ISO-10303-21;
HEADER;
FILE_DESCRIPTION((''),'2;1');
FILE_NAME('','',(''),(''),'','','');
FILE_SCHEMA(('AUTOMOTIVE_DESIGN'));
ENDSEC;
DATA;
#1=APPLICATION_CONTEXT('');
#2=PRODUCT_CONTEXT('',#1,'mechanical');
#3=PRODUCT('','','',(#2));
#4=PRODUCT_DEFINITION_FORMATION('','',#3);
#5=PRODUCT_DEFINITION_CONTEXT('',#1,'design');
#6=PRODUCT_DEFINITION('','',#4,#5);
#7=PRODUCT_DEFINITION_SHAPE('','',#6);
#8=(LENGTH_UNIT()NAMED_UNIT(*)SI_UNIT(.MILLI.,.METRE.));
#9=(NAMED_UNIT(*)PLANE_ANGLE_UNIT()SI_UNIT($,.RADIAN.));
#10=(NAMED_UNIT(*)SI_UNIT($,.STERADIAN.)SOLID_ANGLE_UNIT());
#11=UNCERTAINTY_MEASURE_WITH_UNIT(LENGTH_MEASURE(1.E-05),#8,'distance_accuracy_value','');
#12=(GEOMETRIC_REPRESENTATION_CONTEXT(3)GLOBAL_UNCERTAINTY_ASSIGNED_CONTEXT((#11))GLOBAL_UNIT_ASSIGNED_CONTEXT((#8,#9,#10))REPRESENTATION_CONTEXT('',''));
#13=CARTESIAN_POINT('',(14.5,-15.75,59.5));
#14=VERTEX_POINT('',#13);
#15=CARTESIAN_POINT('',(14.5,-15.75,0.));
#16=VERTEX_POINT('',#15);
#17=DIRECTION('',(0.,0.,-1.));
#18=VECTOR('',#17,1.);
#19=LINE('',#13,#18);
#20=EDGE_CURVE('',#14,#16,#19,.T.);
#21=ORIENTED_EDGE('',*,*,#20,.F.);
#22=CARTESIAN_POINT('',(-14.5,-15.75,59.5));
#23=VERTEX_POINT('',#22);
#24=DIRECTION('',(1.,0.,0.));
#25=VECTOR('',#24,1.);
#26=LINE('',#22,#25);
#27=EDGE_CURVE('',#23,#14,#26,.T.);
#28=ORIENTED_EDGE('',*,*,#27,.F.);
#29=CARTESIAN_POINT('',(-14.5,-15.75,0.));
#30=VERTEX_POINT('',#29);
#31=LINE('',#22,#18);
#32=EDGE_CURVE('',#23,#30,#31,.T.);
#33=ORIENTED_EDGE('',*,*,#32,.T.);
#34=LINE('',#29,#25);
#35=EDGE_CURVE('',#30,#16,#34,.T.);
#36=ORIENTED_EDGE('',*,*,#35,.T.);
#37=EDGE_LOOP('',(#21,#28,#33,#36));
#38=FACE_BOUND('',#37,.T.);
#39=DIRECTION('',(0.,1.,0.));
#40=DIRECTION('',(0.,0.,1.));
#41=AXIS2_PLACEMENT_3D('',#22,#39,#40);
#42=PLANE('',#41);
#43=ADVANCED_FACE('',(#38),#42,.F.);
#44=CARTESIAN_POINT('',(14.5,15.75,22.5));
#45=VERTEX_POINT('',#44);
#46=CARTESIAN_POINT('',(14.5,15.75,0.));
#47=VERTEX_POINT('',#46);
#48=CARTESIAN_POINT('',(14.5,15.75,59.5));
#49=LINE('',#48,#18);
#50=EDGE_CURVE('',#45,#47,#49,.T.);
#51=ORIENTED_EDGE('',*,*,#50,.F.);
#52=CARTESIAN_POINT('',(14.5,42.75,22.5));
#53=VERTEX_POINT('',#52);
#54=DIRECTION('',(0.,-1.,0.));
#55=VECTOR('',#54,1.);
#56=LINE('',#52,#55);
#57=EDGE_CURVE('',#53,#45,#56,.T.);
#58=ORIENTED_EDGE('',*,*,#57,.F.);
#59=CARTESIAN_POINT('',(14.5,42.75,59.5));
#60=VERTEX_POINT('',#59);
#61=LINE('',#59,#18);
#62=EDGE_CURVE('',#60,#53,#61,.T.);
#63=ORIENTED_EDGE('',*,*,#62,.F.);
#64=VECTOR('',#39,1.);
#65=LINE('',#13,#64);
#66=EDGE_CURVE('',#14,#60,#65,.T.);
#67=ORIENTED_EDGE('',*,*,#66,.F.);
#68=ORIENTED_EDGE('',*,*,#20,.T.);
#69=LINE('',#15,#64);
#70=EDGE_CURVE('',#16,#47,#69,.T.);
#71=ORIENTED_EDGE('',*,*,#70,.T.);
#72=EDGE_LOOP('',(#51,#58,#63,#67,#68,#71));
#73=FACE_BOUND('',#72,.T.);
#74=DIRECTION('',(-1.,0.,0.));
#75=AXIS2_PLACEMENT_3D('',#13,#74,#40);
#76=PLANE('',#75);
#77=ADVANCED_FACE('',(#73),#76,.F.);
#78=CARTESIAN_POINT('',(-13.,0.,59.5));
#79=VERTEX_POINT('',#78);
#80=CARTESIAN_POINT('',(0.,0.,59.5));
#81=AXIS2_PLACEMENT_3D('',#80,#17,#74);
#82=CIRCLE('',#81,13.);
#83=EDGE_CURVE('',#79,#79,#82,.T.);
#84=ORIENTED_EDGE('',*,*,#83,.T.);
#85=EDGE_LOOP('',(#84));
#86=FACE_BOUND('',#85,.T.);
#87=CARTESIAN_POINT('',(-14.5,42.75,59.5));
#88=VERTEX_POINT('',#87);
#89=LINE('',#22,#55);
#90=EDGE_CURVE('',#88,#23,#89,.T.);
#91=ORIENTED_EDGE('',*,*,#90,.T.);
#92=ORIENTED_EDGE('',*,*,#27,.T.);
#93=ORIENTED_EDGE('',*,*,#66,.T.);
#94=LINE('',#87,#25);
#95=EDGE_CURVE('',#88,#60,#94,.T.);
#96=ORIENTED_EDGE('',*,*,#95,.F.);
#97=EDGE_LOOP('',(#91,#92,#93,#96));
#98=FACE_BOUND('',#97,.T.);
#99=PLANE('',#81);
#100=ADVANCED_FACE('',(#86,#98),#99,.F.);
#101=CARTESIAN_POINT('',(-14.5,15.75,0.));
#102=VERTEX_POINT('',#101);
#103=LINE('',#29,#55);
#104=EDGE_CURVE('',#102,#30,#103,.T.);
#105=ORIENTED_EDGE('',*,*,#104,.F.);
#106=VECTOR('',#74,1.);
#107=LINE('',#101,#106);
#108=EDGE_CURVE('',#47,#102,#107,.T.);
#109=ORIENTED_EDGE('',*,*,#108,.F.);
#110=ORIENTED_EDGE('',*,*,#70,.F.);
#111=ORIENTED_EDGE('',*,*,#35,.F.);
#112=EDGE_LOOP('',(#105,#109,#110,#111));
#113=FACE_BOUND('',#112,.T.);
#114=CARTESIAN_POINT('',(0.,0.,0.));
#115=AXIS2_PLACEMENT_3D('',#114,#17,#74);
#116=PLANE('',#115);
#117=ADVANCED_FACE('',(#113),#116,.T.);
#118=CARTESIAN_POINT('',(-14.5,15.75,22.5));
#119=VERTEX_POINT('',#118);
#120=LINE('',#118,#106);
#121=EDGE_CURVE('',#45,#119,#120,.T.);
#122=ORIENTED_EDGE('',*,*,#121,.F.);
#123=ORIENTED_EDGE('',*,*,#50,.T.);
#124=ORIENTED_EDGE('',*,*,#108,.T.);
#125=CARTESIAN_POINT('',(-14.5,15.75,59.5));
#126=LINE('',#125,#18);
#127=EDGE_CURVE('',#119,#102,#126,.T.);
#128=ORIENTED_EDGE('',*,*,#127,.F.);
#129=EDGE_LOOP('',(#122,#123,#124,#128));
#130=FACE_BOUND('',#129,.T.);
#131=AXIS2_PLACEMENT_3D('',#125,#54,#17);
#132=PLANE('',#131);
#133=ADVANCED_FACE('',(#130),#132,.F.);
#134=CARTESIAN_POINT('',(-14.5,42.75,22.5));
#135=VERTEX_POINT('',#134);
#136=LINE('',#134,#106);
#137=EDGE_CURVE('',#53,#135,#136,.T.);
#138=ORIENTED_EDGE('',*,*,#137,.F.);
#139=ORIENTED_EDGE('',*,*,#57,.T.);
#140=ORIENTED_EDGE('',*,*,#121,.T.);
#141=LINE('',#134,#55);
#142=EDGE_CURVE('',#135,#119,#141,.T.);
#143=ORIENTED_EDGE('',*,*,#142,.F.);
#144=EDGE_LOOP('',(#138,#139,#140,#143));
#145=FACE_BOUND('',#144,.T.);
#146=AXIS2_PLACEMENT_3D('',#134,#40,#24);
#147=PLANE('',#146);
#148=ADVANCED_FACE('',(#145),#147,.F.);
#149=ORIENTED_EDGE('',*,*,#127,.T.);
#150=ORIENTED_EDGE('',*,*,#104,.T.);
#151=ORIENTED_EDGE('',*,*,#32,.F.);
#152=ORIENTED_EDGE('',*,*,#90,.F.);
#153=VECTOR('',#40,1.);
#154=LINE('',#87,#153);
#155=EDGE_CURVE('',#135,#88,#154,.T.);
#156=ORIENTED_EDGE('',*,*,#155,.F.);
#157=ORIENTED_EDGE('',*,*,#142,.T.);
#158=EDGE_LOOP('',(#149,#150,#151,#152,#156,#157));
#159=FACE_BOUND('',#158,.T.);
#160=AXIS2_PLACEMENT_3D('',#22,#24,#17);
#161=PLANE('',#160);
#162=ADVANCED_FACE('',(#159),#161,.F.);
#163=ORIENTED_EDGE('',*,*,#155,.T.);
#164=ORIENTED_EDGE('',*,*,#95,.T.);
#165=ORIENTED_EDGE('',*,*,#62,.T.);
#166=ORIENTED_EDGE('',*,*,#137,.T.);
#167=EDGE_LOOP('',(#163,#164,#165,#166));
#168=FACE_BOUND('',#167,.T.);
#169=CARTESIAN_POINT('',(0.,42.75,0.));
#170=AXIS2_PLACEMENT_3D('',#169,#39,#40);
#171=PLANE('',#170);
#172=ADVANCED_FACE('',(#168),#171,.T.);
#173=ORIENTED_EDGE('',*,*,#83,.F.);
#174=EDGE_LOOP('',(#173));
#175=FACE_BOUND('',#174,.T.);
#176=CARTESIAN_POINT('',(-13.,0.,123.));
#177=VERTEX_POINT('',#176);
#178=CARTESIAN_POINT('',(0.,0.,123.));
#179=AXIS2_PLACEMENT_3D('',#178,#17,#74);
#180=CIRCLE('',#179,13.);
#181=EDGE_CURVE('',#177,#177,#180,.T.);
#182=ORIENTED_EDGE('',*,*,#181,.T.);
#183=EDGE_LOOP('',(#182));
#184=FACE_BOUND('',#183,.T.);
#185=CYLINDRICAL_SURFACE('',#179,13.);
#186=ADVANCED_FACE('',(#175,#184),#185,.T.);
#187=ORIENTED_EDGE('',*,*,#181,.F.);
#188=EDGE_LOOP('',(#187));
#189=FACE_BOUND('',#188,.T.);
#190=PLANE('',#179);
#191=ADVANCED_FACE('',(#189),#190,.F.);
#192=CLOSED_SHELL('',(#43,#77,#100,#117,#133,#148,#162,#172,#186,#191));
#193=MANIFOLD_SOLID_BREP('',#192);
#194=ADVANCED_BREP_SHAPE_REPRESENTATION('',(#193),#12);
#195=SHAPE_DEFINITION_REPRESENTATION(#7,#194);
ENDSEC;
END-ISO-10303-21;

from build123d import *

# Parameters (mm, degrees)
SKETCH1_W           = 29
SKETCH1_H           = 31.5
BOSS_EXTRUDE1_DEPTH = 59.5
BOSS_EXTRUDE2_START = 15.75
SKETCH2_W           = 29
SKETCH2_H           = 37
BOSS_EXTRUDE2_DEPTH = 27
BOSS_EXTRUDE3_START = 59.5
SKETCH4_R           = 13
BOSS_EXTRUDE3_DEPTH = 63.5


with BuildPart() as part:
    # Sketch1 → Boss-Extrude1 (new body)
    with BuildSketch(Plane.XY):
        Rectangle(SKETCH1_W, SKETCH1_H)
    extrude(amount=BOSS_EXTRUDE1_DEPTH)

    # Sketch2 → Boss-Extrude2 (add)
    with BuildSketch(Plane(origin=(0, 0, 0), x_dir=(1, 0, 0), z_dir=(0, 1, 0)).offset(BOSS_EXTRUDE2_START)):
        with Locations((0, -41)):
            Rectangle(SKETCH2_W, SKETCH2_H)
    extrude(amount=BOSS_EXTRUDE2_DEPTH)

    # Sketch4 → Boss-Extrude3 (add)
    with BuildSketch(Plane.XY.offset(BOSS_EXTRUDE3_START)):
        with Locations(Location((0, 0, 0), (0, 0, 180))):
            Circle(SKETCH4_R)
    extrude(amount=BOSS_EXTRUDE3_DEPTH)


solid = part.part
